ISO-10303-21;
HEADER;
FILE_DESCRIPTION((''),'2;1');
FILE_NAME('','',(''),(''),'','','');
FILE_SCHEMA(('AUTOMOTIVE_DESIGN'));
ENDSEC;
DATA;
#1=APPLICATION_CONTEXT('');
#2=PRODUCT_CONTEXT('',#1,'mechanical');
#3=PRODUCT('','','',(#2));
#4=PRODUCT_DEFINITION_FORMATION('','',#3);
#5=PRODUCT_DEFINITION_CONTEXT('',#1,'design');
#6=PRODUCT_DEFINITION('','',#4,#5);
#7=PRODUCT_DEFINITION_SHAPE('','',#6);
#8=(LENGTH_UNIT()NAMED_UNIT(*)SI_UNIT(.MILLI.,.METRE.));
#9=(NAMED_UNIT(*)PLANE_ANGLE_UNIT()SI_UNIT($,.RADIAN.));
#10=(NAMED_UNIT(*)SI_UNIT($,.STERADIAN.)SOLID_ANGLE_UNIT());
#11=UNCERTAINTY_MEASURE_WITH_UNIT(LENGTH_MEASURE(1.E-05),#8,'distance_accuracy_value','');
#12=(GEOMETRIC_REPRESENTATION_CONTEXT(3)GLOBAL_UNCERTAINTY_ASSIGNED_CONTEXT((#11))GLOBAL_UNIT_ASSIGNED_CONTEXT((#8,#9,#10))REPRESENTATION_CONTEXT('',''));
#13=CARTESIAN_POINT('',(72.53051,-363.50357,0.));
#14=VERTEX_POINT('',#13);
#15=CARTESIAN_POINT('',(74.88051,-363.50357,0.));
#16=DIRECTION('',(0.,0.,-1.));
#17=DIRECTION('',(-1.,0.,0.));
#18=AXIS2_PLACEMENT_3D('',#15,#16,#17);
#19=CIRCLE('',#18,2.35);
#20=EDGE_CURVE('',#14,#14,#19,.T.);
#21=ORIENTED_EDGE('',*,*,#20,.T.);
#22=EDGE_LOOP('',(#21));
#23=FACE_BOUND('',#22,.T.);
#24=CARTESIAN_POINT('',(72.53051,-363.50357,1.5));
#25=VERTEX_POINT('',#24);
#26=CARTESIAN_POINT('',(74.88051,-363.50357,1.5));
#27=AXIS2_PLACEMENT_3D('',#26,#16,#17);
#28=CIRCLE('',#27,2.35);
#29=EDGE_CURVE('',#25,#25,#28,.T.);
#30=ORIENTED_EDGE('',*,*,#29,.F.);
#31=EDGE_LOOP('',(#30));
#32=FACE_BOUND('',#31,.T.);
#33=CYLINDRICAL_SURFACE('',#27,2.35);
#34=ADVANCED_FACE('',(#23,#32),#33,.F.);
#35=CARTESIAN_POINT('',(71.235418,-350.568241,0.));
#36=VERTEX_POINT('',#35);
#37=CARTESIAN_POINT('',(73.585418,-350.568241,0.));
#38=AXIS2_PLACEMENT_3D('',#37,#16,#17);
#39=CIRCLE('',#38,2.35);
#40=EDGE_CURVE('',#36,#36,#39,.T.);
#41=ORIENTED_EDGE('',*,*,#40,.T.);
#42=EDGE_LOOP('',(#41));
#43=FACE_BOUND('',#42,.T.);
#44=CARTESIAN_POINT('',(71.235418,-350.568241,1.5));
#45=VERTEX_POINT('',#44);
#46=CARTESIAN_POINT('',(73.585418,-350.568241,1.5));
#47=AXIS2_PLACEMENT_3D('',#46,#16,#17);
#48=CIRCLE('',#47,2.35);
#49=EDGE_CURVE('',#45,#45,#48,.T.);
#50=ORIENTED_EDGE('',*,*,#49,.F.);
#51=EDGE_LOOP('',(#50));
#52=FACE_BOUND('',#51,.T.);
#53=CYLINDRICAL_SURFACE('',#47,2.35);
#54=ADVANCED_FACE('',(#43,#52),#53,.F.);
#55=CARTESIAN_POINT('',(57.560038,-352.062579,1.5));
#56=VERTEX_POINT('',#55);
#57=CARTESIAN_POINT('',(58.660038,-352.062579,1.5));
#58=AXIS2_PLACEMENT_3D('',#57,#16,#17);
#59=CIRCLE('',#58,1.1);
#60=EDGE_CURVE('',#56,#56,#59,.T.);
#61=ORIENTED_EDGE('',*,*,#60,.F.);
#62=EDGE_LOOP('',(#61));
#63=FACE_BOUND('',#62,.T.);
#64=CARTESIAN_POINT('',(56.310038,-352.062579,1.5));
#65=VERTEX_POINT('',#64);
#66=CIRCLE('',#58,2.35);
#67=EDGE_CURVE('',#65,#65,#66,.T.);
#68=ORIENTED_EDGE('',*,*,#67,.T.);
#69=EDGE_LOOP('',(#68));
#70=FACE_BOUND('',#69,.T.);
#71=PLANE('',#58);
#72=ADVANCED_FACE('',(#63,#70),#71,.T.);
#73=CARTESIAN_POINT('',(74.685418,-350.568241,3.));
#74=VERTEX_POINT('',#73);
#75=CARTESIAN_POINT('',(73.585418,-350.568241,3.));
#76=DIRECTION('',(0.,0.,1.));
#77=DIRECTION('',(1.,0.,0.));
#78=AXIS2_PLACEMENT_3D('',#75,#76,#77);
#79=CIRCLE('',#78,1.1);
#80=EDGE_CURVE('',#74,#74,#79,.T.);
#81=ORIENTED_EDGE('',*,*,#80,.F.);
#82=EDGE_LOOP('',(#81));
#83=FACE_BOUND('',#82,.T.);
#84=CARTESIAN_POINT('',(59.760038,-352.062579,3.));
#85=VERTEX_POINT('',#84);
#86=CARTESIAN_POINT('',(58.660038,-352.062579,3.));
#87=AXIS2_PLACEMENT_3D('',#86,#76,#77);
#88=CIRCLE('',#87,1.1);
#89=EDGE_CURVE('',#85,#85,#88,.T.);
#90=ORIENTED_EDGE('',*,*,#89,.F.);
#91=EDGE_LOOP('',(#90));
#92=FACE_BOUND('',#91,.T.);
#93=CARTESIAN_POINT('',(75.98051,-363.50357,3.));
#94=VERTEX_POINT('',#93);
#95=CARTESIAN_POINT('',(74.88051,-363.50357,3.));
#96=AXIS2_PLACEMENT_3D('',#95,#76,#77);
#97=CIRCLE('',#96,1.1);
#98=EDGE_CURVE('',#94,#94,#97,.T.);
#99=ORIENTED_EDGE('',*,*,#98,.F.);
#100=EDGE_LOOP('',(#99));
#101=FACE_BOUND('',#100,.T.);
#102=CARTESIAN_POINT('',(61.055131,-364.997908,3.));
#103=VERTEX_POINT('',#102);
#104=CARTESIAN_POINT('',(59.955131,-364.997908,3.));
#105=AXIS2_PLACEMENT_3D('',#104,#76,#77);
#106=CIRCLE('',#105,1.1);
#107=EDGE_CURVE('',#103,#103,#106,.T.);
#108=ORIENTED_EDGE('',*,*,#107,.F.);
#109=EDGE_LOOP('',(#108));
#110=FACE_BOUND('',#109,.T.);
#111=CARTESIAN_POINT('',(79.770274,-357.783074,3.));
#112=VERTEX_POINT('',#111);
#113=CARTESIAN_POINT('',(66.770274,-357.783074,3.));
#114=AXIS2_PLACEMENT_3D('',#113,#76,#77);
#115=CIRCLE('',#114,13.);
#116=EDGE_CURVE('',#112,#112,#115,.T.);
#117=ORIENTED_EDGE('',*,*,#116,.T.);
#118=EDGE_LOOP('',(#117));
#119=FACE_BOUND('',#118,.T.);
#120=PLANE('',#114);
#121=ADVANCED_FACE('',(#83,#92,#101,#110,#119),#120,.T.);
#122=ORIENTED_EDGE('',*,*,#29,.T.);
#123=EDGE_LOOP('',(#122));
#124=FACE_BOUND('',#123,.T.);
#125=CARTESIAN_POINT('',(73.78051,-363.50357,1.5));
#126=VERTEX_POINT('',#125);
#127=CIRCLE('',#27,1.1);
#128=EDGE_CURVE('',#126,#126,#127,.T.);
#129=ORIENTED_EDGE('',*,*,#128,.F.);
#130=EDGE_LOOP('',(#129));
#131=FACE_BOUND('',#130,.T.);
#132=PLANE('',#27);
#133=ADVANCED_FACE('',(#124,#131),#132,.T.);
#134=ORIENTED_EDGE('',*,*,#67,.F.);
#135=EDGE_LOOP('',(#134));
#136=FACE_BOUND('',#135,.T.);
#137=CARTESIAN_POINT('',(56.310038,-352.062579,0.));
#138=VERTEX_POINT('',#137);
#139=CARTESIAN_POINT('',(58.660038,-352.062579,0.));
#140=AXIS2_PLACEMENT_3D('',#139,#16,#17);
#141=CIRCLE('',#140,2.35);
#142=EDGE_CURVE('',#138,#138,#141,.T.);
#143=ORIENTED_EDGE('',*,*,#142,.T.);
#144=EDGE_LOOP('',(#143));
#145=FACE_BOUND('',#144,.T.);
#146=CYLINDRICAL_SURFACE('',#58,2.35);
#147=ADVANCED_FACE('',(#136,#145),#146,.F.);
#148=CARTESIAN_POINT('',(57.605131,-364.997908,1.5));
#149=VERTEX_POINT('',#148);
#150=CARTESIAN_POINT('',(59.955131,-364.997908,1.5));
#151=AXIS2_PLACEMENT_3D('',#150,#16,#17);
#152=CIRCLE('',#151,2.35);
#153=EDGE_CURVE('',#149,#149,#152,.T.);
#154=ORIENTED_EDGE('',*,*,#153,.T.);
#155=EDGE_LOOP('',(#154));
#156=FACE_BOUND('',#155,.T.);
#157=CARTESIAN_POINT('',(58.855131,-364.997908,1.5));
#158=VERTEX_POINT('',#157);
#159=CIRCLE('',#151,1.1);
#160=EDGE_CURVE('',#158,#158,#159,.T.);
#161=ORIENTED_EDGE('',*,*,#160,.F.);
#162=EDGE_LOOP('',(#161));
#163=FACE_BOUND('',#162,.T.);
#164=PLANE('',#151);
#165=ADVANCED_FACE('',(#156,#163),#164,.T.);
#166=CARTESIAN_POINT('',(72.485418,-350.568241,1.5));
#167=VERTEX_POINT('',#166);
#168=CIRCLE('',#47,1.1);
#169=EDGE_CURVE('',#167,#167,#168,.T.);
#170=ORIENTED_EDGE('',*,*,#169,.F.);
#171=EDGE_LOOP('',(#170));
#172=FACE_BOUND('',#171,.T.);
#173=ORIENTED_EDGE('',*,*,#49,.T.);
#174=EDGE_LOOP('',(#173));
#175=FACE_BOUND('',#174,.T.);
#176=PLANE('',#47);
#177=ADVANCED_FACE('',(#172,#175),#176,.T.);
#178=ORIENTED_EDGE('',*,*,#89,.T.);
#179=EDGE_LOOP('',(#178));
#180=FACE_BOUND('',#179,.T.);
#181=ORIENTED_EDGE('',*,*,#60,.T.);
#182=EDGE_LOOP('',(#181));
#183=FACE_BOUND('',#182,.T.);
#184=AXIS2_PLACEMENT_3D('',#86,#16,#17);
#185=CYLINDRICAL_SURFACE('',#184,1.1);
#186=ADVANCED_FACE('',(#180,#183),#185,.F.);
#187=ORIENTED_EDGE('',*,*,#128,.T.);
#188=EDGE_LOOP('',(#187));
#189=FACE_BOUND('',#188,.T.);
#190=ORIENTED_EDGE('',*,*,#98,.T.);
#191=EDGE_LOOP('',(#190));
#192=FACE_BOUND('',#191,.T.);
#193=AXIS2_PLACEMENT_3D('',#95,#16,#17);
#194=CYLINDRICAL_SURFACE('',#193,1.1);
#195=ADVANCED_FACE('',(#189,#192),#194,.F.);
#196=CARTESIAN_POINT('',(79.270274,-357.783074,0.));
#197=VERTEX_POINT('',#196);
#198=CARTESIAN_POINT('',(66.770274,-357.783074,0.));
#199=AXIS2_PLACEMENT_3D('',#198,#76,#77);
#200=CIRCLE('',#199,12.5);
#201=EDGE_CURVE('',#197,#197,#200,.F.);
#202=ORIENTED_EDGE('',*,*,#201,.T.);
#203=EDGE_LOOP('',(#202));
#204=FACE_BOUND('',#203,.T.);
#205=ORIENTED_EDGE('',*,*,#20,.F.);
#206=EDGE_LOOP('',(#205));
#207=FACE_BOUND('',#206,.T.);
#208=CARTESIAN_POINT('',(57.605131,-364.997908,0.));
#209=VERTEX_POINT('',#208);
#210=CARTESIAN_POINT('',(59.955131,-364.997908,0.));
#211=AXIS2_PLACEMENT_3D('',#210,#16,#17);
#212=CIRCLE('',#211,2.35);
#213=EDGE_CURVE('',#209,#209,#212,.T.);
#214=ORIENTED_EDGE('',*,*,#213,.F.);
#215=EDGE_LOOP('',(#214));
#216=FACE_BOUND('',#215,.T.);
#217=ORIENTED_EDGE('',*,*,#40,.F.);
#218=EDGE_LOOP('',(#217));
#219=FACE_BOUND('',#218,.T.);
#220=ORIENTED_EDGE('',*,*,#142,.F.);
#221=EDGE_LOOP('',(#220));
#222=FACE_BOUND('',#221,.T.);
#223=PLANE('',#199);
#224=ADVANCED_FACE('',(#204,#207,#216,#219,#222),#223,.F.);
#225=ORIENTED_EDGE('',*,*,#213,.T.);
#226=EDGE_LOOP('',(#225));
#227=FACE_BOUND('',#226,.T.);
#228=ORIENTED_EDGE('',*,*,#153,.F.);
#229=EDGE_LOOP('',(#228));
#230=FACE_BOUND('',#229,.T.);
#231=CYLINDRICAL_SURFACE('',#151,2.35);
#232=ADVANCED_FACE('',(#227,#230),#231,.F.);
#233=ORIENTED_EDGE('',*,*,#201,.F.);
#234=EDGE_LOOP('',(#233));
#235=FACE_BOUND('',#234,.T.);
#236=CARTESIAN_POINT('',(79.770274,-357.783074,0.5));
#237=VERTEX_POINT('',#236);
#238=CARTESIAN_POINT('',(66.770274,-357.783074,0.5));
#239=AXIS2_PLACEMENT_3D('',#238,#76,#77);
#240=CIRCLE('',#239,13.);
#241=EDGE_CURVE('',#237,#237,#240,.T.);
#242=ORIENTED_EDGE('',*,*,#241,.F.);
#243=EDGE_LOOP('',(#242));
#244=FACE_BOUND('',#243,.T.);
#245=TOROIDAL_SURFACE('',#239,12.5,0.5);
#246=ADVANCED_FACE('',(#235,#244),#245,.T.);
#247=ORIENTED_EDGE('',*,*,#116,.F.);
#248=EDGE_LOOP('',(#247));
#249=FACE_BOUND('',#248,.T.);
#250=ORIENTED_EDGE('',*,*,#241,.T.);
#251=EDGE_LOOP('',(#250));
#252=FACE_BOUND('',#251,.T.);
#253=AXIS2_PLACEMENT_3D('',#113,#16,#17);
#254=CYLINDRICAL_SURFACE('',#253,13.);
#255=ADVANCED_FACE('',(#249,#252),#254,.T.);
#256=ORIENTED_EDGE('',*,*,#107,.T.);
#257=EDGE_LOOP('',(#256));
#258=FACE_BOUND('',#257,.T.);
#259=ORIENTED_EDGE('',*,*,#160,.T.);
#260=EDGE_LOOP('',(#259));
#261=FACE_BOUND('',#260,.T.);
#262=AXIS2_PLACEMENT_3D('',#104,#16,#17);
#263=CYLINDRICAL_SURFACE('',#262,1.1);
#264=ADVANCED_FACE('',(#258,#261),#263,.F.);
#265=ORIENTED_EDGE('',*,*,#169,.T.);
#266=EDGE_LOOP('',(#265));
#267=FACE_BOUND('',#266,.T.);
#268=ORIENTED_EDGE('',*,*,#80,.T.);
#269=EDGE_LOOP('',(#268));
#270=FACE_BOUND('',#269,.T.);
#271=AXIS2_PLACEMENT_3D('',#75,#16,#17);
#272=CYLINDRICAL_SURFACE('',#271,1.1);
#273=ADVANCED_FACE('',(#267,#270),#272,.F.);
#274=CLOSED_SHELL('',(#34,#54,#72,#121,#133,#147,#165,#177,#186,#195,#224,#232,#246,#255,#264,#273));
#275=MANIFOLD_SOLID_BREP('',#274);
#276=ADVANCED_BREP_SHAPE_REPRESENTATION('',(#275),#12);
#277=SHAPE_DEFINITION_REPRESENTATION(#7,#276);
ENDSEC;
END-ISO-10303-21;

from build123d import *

# Parameters (mm, degrees)
SKETCH_1_R          = 13
SKETCH_1_R_2        = 1.1
EXTRUDE_1_DEPTH     = 3
FILLET_1_R          = 0.5
SKETCH_2_R          = 2.35
CUT_EXTRUDE_1_DEPTH = 1.5


with BuildPart() as part:
    # 草图1 → 凸台-拉伸1 (new body)
    with BuildSketch(Plane.XY):
        with Locations((66.770274295, -357.783074412)):
            Circle(SKETCH_1_R)
        with Locations((59.955130925, -364.997907801)):
            Circle(SKETCH_1_R_2, mode=Mode.SUBTRACT)
        with Locations((74.880510465, -363.503569956)):
            Circle(SKETCH_1_R_2, mode=Mode.SUBTRACT)
        with Locations((58.660038126, -352.062578867)):
            Circle(SKETCH_1_R_2, mode=Mode.SUBTRACT)
        with Locations((73.585417665, -350.568241022)):
            Circle(SKETCH_1_R_2, mode=Mode.SUBTRACT)
    extrude(amount=EXTRUDE_1_DEPTH)

    # 圆角1
    fillet_1_edges = [part.edges().sort_by_distance(p)[0] for p in [
        (53.770274295, -357.783074412, 0),
    ]]
    fillet(fillet_1_edges, radius=FILLET_1_R)

    # 草图2 → 切除-拉伸1 (cut)
    with BuildSketch(Plane(origin=(0, 0, 0), x_dir=(-1, 0, 0), z_dir=(0, 0, -1))):
        with Locations((-73.585417665, -350.568241022)):
            Circle(SKETCH_2_R)
        with Locations((-58.660038126, -352.062578867)):
            Circle(SKETCH_2_R)
        with Locations((-59.955130925, -364.997907801)):
            Circle(SKETCH_2_R)
        with Locations((-74.880510465, -363.503569956)):
            Circle(SKETCH_2_R)
    extrude(amount=-CUT_EXTRUDE_1_DEPTH, mode=Mode.SUBTRACT)


solid = part.part
